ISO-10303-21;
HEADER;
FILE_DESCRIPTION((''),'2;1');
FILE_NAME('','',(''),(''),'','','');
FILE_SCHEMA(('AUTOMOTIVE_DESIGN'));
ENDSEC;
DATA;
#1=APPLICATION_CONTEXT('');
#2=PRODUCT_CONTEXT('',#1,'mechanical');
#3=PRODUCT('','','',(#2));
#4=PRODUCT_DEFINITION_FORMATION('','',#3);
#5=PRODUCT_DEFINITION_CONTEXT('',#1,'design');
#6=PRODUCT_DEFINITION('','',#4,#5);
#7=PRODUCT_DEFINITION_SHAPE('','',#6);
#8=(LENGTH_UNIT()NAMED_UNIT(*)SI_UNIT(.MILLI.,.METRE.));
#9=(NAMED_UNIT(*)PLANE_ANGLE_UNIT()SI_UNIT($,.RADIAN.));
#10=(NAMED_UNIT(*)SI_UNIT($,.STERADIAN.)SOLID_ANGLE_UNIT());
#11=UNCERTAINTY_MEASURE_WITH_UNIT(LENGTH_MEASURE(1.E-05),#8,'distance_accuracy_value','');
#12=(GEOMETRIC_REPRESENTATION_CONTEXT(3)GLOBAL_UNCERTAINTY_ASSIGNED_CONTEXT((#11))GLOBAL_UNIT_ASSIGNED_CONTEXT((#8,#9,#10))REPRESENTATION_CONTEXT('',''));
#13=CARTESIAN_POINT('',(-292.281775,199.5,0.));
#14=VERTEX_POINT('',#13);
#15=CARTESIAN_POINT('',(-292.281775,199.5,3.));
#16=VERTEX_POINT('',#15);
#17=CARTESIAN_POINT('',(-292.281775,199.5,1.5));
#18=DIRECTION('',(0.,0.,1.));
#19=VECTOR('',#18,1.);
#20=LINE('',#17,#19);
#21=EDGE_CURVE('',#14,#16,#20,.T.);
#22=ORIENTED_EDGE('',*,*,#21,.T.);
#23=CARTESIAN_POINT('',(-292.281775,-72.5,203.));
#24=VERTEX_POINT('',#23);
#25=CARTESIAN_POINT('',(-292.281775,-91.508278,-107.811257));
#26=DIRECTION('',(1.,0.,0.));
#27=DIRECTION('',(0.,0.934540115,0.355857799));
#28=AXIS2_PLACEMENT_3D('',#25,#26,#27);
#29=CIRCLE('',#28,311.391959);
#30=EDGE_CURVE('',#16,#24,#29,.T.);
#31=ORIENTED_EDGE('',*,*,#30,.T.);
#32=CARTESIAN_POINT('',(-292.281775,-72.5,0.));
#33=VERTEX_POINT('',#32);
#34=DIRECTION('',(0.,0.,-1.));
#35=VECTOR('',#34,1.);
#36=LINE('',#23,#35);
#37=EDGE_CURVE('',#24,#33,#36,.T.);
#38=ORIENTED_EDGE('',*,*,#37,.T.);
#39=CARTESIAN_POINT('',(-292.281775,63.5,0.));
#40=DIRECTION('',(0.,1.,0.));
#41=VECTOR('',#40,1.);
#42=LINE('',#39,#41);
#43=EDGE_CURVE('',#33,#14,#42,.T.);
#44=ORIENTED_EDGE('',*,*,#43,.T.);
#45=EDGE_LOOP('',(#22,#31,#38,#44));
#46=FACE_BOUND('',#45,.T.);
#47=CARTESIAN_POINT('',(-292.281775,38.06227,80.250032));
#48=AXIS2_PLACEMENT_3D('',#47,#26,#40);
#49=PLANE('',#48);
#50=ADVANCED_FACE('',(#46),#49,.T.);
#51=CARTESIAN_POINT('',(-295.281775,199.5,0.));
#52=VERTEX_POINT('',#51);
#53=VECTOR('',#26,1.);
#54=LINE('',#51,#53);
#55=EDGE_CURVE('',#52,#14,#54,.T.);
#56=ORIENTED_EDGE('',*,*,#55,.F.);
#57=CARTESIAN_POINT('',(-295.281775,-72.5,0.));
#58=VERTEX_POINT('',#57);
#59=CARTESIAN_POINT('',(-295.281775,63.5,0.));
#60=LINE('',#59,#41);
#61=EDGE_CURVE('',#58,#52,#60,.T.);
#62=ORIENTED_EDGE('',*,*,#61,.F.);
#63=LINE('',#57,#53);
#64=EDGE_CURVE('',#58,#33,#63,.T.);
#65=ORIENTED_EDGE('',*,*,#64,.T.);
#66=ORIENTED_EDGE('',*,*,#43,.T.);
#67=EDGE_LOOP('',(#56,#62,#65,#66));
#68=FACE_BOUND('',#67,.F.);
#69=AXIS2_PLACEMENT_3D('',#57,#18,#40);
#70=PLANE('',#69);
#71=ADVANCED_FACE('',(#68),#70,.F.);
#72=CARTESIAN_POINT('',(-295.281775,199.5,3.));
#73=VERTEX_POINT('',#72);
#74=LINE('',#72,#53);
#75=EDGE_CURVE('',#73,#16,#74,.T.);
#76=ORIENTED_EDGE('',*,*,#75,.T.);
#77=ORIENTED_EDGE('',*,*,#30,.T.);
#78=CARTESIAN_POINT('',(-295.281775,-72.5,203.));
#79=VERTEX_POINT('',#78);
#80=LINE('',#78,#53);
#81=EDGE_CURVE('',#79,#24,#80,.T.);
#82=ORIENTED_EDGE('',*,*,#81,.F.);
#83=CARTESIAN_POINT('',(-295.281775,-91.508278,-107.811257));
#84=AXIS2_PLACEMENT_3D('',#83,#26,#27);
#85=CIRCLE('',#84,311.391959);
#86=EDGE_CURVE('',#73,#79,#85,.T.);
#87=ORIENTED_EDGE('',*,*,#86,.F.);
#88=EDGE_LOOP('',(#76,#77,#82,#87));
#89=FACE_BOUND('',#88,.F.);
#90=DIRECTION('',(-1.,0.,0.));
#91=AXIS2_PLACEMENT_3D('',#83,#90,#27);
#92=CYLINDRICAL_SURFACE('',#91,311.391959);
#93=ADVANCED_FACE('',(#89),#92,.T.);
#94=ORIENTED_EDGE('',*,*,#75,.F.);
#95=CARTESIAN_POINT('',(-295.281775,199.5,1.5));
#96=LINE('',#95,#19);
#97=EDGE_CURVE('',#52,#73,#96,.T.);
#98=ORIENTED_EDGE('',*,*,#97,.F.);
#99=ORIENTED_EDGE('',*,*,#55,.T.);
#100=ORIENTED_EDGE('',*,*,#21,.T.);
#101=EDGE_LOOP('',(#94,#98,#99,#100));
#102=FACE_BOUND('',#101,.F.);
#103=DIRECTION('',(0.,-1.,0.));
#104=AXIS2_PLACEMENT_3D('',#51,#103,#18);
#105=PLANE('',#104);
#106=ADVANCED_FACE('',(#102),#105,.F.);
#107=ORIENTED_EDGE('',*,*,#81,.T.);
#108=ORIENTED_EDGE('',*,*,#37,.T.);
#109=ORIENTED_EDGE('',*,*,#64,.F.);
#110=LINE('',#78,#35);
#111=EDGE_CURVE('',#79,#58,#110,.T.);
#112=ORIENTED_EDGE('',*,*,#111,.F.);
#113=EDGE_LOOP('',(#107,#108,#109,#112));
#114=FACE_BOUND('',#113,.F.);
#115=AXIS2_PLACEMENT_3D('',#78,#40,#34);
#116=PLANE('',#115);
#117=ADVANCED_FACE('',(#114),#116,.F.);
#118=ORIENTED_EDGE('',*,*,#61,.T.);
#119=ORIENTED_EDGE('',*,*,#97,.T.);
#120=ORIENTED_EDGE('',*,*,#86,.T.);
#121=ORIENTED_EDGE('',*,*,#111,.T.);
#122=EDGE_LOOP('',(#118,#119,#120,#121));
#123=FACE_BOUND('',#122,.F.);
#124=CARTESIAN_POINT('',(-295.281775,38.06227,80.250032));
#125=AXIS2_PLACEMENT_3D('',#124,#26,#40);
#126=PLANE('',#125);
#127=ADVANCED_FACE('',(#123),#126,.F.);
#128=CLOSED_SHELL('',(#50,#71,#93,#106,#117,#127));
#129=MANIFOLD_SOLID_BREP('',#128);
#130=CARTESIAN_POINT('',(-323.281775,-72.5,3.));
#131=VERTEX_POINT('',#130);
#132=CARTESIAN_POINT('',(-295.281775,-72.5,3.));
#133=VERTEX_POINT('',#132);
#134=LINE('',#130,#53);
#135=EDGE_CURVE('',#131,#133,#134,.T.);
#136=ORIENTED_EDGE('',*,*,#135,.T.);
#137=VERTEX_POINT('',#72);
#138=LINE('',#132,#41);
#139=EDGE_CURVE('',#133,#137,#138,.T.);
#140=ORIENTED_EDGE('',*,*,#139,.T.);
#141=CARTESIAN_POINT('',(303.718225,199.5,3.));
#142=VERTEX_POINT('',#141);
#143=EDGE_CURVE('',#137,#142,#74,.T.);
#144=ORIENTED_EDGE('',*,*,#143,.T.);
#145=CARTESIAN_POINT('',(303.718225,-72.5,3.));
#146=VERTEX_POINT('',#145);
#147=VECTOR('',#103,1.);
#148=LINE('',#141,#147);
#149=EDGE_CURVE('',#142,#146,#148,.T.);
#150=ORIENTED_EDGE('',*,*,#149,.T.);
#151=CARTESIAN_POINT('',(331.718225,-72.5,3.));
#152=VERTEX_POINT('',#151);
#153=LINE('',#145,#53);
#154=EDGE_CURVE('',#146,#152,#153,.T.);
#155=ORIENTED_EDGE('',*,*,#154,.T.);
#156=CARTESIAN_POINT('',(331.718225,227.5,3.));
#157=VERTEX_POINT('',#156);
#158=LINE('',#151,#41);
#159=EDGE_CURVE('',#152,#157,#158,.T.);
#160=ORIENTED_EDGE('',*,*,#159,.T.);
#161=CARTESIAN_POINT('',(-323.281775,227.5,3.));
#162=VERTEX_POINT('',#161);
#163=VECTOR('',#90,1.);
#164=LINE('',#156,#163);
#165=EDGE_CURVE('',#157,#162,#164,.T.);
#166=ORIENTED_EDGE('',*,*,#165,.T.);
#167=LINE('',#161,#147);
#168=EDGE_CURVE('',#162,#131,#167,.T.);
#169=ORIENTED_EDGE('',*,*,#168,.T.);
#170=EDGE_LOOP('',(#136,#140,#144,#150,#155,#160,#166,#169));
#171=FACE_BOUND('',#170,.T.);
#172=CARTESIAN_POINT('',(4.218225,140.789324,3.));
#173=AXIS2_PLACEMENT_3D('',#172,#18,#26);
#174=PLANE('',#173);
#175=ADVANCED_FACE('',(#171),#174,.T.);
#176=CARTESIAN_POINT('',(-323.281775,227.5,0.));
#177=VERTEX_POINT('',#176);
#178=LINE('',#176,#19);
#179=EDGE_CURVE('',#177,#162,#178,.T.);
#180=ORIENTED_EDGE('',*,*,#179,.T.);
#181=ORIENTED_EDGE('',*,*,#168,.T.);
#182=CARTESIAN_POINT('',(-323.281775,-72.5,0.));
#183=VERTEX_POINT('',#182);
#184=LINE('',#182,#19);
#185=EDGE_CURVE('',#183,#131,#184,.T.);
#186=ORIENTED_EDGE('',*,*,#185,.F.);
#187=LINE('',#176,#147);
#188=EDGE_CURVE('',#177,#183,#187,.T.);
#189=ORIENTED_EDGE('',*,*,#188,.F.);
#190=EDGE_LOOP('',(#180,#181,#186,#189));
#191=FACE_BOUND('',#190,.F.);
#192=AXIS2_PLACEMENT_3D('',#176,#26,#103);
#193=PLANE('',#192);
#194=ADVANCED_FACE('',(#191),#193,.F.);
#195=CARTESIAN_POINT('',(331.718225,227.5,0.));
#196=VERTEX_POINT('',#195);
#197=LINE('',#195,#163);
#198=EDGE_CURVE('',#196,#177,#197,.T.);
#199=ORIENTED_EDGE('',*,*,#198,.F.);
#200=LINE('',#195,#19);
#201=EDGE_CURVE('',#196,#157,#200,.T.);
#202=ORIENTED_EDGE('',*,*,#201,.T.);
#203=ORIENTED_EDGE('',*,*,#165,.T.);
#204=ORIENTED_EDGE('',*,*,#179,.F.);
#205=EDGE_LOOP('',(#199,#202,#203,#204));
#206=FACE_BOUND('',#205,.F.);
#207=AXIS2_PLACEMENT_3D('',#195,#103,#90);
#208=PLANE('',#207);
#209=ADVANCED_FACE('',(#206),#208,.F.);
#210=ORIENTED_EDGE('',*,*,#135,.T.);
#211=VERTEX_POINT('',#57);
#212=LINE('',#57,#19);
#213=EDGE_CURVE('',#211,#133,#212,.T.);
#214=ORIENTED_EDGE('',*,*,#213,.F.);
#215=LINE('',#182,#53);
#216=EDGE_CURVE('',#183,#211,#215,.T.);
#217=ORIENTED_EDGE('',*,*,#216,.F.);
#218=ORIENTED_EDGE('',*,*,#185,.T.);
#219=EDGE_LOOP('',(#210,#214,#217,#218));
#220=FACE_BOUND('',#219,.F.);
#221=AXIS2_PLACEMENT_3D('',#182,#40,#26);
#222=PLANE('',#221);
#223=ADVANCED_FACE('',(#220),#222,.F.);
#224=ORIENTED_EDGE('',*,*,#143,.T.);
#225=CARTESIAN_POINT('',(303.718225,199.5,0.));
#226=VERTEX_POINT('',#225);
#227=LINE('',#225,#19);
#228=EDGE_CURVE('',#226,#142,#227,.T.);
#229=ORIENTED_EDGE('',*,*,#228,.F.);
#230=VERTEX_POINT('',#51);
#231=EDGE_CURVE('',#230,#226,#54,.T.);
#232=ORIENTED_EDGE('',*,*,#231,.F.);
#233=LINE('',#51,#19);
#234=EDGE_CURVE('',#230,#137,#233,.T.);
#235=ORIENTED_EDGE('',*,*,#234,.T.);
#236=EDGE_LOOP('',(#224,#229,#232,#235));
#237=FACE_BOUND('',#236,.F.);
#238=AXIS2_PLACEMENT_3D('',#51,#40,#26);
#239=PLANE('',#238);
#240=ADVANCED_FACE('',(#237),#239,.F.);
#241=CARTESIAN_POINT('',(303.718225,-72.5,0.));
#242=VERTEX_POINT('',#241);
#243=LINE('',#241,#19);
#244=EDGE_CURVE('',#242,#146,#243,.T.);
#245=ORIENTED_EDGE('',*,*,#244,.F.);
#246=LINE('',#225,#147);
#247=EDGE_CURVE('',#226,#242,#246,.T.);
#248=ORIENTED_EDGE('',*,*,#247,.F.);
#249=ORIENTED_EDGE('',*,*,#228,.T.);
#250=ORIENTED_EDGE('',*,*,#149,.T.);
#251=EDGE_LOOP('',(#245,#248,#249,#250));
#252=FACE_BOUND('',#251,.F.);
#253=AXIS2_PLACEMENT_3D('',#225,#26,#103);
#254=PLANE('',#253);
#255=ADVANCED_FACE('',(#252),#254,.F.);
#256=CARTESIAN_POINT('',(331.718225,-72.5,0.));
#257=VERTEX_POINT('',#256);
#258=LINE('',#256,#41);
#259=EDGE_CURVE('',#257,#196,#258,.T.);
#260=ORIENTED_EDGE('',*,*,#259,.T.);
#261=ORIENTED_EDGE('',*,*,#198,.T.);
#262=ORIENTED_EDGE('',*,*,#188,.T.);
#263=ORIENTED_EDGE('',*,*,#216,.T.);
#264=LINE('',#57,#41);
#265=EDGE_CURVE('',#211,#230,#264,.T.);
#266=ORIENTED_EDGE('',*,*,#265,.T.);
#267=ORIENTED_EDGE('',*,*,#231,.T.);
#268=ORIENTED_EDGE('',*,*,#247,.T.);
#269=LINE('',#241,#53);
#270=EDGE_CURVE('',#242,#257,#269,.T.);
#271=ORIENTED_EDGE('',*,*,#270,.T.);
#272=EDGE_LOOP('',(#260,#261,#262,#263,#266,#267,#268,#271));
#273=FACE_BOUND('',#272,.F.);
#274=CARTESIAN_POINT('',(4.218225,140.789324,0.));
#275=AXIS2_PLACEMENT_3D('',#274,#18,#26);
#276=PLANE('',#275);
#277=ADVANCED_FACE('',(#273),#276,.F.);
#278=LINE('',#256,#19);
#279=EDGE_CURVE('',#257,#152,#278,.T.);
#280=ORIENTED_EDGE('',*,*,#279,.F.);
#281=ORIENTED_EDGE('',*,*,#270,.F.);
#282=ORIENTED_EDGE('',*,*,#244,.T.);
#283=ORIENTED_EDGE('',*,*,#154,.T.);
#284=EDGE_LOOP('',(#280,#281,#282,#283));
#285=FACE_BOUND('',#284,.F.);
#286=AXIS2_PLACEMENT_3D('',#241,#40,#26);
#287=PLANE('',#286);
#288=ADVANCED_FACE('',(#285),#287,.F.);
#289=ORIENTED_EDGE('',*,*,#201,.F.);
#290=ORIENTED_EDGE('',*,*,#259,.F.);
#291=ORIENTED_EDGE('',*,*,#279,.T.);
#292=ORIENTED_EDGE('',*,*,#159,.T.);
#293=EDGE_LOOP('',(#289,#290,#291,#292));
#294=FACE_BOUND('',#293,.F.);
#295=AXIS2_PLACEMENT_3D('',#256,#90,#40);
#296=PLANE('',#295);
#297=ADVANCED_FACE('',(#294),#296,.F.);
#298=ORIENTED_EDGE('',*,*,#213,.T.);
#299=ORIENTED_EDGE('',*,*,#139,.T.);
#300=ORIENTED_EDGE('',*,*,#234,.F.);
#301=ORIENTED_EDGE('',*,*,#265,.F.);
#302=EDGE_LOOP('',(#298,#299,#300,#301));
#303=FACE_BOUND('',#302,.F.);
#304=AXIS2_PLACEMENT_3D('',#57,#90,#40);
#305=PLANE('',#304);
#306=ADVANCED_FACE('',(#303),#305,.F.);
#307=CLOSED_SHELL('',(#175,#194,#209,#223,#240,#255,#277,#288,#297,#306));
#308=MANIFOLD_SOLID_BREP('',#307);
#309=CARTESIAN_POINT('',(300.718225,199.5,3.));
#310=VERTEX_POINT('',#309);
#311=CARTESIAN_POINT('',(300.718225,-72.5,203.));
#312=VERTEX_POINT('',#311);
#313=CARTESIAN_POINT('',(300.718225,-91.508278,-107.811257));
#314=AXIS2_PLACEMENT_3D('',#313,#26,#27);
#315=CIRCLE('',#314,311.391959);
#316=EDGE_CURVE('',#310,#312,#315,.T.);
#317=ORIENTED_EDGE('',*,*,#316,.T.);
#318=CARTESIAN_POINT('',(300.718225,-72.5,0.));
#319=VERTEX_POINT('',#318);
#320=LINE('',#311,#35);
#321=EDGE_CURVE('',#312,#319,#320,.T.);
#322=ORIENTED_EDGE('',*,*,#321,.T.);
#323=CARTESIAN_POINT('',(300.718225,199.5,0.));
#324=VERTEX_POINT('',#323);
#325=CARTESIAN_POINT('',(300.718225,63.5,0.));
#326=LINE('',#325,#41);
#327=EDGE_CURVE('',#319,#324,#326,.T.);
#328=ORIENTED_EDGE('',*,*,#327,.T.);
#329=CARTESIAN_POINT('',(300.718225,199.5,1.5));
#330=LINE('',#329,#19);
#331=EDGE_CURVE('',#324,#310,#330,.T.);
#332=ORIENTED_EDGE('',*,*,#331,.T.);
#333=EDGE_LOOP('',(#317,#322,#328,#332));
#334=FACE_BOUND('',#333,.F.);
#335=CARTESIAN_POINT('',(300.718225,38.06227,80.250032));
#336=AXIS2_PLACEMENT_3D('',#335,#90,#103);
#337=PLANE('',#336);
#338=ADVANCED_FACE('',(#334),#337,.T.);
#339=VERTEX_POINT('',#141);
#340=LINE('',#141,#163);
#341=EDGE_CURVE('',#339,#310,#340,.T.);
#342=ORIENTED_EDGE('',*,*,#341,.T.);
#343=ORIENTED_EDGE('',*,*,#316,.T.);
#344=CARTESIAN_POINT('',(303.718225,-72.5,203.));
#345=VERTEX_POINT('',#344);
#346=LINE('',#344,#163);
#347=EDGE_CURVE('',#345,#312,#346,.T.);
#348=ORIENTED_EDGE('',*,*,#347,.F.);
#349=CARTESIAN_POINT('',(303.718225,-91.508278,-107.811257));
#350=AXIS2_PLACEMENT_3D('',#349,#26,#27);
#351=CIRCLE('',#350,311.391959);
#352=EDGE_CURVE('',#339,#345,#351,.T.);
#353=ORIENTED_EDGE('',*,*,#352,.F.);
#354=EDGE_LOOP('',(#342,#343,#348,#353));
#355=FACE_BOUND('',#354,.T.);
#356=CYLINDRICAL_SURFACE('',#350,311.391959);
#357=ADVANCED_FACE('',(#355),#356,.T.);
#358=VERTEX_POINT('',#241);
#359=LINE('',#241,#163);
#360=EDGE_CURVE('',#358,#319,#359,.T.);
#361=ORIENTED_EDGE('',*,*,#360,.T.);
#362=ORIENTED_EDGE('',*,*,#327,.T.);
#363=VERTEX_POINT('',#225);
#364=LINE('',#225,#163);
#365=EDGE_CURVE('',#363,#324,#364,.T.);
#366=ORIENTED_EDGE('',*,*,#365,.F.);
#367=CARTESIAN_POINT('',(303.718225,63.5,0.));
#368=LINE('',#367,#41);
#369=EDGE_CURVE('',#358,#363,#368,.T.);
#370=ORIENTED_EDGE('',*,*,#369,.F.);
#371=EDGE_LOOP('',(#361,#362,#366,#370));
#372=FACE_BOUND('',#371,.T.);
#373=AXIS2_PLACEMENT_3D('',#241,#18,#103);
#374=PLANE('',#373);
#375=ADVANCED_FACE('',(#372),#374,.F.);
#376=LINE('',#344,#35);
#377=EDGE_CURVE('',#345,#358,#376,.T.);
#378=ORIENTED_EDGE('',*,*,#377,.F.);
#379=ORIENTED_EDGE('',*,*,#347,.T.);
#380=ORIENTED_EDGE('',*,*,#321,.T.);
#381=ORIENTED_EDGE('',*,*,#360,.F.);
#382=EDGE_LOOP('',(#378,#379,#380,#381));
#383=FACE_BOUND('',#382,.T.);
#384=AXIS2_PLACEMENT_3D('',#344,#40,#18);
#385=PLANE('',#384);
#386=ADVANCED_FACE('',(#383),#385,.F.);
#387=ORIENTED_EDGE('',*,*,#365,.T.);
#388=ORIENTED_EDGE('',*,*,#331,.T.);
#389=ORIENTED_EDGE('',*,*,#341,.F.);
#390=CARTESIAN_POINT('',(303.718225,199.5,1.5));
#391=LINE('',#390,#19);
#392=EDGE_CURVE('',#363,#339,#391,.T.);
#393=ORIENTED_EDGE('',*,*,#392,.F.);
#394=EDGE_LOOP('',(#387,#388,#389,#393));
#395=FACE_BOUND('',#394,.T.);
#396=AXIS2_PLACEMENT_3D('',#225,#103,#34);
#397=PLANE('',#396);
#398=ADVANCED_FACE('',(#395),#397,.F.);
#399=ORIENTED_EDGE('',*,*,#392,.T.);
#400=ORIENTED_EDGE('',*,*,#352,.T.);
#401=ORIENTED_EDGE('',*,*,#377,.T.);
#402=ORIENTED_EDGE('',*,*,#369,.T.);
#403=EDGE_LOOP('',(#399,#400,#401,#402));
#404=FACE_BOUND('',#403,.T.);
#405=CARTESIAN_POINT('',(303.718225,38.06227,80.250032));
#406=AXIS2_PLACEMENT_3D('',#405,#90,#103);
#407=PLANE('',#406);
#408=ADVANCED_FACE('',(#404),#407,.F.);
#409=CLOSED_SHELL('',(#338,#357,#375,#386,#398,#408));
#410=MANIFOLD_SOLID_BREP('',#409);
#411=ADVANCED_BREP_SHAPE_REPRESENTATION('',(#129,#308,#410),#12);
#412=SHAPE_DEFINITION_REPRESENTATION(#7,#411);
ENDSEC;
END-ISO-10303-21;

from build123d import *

# Parameters (mm, degrees)
F1_DEPTH = 3
F2_W     = 272
F2_H     = 3
F3_DEPTH = 3


with BuildPart() as f1:
    # F0 (on Top) → F1 (new body)
    with BuildSketch(Plane.XY):
        Polygon((303.7182253674, -72.5), (331.7182253674, -72.5), (331.7182253674, 227.5), (-323.2817746326, 227.5), (-323.2817746326, -72.5), (-295.2817746326, -72.5), (-295.2817746326, 199.5), (303.7182253674, 199.5), align=None)
    extrude(amount=F1_DEPTH)


with BuildPart() as f3:
    # F2 (on face) → F3 (new body)
    with BuildSketch(Plane.YZ.offset(-295.2817746326)):
        with BuildLine():
            Line((-72.5, 203), (-72.5, 3))
            Line((-72.5, 3), (199.5, 3))
            ThreePointArc((199.5, 3), (92.9573455668, 143.0619899708), (-72.5, 203))
        make_face()
        with Locations((63.5, 1.5)):
            Rectangle(F2_W, F2_H)
    extrude(amount=F3_DEPTH)


with BuildPart() as f6_1:
    # F6: instance of F3
    add(f3.part.mirror(Plane.YZ.offset(4.2182253674)))


solid = Compound([f1.part, f3.part, f6_1.part])
